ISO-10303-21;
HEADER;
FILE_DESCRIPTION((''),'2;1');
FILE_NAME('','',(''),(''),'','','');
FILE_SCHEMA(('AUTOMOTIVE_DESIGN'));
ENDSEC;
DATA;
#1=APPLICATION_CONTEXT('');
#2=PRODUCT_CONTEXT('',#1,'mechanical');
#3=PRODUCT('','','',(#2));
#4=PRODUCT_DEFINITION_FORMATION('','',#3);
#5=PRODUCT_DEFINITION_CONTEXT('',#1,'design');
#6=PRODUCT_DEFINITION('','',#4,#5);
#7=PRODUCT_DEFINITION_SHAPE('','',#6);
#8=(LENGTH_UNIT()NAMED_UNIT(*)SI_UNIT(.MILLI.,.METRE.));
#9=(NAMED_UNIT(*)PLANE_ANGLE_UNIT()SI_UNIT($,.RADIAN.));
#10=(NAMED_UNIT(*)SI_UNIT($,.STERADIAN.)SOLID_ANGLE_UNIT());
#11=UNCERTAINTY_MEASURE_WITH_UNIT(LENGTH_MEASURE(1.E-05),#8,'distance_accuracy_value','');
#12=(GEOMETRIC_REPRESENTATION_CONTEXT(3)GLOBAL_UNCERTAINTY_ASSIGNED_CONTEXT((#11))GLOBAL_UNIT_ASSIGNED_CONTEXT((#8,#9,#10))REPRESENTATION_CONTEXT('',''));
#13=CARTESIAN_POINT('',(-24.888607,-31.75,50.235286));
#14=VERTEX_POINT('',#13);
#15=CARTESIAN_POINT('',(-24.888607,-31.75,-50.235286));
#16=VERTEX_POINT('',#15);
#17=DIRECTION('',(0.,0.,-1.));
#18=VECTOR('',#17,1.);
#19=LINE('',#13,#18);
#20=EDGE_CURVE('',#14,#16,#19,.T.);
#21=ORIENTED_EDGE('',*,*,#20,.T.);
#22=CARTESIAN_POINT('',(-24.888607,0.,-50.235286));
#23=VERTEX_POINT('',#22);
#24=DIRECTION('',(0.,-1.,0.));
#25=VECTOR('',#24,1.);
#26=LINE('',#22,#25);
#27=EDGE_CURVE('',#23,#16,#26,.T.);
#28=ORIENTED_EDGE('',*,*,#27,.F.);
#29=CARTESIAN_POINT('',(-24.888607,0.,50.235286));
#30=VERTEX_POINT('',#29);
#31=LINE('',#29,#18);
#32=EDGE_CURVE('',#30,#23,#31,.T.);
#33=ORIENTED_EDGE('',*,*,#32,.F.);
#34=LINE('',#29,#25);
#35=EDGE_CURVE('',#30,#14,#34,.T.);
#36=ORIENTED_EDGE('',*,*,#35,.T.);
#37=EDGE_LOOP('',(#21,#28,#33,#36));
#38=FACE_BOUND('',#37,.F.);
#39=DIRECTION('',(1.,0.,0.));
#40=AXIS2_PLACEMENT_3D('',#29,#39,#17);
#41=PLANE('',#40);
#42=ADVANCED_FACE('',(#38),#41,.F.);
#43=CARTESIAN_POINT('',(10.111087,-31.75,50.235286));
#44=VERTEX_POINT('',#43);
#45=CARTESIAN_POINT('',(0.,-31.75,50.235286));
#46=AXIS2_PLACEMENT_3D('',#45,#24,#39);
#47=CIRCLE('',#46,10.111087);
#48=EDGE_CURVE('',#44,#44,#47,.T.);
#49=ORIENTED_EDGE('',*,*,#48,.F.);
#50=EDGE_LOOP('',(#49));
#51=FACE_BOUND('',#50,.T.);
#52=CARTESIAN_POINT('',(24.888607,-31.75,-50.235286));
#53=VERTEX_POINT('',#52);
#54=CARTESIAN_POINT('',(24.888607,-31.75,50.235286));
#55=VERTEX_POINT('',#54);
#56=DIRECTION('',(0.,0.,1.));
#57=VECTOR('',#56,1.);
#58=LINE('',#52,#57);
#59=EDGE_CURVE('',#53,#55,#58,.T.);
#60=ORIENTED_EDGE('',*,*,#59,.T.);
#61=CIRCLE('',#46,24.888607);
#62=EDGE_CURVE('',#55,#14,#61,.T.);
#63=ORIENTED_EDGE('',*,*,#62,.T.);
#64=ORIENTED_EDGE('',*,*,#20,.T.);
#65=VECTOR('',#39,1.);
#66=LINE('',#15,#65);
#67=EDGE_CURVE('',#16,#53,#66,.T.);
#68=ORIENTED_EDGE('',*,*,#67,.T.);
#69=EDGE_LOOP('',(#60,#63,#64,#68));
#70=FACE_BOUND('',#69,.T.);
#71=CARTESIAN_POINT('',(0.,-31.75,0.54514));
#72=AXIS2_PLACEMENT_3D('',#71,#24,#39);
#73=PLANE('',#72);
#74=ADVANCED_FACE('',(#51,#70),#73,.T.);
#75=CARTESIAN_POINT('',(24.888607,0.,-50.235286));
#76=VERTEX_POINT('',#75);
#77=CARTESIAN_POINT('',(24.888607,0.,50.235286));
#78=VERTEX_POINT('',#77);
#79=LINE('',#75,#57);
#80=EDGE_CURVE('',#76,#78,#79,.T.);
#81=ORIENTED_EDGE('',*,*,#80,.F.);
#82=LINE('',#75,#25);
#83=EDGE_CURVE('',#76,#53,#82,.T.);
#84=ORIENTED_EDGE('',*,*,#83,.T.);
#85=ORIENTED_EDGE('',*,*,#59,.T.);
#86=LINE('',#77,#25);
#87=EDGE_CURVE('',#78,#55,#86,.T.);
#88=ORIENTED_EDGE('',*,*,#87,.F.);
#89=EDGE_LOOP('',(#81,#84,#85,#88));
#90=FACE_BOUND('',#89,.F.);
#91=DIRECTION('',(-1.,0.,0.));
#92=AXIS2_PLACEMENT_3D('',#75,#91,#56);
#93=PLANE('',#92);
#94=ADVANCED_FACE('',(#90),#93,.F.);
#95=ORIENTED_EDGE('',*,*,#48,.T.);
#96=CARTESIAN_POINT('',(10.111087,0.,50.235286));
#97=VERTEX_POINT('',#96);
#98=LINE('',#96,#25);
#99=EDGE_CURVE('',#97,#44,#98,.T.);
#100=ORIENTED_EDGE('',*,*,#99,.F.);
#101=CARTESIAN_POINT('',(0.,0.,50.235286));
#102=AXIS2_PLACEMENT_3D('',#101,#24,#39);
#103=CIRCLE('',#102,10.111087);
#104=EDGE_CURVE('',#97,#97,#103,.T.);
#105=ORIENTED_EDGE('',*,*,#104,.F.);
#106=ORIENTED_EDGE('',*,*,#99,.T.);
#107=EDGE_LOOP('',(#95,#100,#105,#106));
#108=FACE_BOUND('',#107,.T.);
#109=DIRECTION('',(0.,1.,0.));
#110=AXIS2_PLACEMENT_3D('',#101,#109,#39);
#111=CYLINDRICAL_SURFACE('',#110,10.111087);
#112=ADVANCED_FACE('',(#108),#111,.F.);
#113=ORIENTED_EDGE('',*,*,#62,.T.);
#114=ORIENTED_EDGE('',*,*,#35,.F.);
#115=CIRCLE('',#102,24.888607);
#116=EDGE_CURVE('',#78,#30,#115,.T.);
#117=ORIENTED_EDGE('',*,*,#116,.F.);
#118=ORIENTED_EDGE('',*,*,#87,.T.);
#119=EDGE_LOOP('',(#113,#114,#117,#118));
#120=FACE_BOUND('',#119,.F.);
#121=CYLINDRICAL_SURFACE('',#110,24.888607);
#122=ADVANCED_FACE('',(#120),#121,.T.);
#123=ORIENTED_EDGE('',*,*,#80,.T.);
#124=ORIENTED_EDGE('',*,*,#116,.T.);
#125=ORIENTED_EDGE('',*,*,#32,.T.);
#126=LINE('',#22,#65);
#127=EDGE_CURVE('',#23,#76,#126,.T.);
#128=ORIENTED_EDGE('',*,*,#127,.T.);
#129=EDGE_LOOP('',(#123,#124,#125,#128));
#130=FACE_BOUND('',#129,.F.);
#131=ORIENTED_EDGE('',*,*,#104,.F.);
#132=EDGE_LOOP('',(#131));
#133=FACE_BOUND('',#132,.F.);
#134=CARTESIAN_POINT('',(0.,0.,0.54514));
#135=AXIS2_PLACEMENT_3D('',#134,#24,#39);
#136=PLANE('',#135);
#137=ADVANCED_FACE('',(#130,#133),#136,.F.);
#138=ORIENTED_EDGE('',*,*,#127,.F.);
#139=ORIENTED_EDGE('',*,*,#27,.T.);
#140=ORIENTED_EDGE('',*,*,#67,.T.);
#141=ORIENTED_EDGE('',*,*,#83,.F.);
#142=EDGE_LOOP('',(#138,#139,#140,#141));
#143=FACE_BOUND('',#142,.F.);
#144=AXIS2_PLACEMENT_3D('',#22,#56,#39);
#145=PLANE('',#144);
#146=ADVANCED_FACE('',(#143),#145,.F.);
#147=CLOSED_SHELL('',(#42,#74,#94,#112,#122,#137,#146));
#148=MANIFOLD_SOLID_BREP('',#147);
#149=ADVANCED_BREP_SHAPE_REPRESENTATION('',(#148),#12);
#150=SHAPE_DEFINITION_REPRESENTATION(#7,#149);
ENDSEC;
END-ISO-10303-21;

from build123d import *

# Parameters (mm, degrees)
F0_R     = 10.111087
F1_DEPTH = 31.75


with BuildPart() as f1:
    # F0 (on Front) → F1 (new body)
    with BuildSketch(Plane.XZ):
        with BuildLine():
            Line((-24.888607, 50.235286), (-24.888607, -50.235286))
            Line((-24.888607, -50.235286), (24.888607, -50.235286))
            Line((24.888607, -50.235286), (24.888607, 50.235286))
            ThreePointArc((24.888607, 50.235286), (0, 25.34668), (-24.888607, 50.235286))
        make_face()
        with BuildLine():
            ThreePointArc((24.888607, 50.235286), (0, 75.123893), (-24.888607, 50.235286))
            ThreePointArc((-24.888607, 50.235286), (0, 25.34668), (24.888607, 50.235286))
        make_face()
        with Locations((0, 50.235286)):
            Circle(F0_R, mode=Mode.SUBTRACT)
    extrude(amount=F1_DEPTH)


solid = f1.part
